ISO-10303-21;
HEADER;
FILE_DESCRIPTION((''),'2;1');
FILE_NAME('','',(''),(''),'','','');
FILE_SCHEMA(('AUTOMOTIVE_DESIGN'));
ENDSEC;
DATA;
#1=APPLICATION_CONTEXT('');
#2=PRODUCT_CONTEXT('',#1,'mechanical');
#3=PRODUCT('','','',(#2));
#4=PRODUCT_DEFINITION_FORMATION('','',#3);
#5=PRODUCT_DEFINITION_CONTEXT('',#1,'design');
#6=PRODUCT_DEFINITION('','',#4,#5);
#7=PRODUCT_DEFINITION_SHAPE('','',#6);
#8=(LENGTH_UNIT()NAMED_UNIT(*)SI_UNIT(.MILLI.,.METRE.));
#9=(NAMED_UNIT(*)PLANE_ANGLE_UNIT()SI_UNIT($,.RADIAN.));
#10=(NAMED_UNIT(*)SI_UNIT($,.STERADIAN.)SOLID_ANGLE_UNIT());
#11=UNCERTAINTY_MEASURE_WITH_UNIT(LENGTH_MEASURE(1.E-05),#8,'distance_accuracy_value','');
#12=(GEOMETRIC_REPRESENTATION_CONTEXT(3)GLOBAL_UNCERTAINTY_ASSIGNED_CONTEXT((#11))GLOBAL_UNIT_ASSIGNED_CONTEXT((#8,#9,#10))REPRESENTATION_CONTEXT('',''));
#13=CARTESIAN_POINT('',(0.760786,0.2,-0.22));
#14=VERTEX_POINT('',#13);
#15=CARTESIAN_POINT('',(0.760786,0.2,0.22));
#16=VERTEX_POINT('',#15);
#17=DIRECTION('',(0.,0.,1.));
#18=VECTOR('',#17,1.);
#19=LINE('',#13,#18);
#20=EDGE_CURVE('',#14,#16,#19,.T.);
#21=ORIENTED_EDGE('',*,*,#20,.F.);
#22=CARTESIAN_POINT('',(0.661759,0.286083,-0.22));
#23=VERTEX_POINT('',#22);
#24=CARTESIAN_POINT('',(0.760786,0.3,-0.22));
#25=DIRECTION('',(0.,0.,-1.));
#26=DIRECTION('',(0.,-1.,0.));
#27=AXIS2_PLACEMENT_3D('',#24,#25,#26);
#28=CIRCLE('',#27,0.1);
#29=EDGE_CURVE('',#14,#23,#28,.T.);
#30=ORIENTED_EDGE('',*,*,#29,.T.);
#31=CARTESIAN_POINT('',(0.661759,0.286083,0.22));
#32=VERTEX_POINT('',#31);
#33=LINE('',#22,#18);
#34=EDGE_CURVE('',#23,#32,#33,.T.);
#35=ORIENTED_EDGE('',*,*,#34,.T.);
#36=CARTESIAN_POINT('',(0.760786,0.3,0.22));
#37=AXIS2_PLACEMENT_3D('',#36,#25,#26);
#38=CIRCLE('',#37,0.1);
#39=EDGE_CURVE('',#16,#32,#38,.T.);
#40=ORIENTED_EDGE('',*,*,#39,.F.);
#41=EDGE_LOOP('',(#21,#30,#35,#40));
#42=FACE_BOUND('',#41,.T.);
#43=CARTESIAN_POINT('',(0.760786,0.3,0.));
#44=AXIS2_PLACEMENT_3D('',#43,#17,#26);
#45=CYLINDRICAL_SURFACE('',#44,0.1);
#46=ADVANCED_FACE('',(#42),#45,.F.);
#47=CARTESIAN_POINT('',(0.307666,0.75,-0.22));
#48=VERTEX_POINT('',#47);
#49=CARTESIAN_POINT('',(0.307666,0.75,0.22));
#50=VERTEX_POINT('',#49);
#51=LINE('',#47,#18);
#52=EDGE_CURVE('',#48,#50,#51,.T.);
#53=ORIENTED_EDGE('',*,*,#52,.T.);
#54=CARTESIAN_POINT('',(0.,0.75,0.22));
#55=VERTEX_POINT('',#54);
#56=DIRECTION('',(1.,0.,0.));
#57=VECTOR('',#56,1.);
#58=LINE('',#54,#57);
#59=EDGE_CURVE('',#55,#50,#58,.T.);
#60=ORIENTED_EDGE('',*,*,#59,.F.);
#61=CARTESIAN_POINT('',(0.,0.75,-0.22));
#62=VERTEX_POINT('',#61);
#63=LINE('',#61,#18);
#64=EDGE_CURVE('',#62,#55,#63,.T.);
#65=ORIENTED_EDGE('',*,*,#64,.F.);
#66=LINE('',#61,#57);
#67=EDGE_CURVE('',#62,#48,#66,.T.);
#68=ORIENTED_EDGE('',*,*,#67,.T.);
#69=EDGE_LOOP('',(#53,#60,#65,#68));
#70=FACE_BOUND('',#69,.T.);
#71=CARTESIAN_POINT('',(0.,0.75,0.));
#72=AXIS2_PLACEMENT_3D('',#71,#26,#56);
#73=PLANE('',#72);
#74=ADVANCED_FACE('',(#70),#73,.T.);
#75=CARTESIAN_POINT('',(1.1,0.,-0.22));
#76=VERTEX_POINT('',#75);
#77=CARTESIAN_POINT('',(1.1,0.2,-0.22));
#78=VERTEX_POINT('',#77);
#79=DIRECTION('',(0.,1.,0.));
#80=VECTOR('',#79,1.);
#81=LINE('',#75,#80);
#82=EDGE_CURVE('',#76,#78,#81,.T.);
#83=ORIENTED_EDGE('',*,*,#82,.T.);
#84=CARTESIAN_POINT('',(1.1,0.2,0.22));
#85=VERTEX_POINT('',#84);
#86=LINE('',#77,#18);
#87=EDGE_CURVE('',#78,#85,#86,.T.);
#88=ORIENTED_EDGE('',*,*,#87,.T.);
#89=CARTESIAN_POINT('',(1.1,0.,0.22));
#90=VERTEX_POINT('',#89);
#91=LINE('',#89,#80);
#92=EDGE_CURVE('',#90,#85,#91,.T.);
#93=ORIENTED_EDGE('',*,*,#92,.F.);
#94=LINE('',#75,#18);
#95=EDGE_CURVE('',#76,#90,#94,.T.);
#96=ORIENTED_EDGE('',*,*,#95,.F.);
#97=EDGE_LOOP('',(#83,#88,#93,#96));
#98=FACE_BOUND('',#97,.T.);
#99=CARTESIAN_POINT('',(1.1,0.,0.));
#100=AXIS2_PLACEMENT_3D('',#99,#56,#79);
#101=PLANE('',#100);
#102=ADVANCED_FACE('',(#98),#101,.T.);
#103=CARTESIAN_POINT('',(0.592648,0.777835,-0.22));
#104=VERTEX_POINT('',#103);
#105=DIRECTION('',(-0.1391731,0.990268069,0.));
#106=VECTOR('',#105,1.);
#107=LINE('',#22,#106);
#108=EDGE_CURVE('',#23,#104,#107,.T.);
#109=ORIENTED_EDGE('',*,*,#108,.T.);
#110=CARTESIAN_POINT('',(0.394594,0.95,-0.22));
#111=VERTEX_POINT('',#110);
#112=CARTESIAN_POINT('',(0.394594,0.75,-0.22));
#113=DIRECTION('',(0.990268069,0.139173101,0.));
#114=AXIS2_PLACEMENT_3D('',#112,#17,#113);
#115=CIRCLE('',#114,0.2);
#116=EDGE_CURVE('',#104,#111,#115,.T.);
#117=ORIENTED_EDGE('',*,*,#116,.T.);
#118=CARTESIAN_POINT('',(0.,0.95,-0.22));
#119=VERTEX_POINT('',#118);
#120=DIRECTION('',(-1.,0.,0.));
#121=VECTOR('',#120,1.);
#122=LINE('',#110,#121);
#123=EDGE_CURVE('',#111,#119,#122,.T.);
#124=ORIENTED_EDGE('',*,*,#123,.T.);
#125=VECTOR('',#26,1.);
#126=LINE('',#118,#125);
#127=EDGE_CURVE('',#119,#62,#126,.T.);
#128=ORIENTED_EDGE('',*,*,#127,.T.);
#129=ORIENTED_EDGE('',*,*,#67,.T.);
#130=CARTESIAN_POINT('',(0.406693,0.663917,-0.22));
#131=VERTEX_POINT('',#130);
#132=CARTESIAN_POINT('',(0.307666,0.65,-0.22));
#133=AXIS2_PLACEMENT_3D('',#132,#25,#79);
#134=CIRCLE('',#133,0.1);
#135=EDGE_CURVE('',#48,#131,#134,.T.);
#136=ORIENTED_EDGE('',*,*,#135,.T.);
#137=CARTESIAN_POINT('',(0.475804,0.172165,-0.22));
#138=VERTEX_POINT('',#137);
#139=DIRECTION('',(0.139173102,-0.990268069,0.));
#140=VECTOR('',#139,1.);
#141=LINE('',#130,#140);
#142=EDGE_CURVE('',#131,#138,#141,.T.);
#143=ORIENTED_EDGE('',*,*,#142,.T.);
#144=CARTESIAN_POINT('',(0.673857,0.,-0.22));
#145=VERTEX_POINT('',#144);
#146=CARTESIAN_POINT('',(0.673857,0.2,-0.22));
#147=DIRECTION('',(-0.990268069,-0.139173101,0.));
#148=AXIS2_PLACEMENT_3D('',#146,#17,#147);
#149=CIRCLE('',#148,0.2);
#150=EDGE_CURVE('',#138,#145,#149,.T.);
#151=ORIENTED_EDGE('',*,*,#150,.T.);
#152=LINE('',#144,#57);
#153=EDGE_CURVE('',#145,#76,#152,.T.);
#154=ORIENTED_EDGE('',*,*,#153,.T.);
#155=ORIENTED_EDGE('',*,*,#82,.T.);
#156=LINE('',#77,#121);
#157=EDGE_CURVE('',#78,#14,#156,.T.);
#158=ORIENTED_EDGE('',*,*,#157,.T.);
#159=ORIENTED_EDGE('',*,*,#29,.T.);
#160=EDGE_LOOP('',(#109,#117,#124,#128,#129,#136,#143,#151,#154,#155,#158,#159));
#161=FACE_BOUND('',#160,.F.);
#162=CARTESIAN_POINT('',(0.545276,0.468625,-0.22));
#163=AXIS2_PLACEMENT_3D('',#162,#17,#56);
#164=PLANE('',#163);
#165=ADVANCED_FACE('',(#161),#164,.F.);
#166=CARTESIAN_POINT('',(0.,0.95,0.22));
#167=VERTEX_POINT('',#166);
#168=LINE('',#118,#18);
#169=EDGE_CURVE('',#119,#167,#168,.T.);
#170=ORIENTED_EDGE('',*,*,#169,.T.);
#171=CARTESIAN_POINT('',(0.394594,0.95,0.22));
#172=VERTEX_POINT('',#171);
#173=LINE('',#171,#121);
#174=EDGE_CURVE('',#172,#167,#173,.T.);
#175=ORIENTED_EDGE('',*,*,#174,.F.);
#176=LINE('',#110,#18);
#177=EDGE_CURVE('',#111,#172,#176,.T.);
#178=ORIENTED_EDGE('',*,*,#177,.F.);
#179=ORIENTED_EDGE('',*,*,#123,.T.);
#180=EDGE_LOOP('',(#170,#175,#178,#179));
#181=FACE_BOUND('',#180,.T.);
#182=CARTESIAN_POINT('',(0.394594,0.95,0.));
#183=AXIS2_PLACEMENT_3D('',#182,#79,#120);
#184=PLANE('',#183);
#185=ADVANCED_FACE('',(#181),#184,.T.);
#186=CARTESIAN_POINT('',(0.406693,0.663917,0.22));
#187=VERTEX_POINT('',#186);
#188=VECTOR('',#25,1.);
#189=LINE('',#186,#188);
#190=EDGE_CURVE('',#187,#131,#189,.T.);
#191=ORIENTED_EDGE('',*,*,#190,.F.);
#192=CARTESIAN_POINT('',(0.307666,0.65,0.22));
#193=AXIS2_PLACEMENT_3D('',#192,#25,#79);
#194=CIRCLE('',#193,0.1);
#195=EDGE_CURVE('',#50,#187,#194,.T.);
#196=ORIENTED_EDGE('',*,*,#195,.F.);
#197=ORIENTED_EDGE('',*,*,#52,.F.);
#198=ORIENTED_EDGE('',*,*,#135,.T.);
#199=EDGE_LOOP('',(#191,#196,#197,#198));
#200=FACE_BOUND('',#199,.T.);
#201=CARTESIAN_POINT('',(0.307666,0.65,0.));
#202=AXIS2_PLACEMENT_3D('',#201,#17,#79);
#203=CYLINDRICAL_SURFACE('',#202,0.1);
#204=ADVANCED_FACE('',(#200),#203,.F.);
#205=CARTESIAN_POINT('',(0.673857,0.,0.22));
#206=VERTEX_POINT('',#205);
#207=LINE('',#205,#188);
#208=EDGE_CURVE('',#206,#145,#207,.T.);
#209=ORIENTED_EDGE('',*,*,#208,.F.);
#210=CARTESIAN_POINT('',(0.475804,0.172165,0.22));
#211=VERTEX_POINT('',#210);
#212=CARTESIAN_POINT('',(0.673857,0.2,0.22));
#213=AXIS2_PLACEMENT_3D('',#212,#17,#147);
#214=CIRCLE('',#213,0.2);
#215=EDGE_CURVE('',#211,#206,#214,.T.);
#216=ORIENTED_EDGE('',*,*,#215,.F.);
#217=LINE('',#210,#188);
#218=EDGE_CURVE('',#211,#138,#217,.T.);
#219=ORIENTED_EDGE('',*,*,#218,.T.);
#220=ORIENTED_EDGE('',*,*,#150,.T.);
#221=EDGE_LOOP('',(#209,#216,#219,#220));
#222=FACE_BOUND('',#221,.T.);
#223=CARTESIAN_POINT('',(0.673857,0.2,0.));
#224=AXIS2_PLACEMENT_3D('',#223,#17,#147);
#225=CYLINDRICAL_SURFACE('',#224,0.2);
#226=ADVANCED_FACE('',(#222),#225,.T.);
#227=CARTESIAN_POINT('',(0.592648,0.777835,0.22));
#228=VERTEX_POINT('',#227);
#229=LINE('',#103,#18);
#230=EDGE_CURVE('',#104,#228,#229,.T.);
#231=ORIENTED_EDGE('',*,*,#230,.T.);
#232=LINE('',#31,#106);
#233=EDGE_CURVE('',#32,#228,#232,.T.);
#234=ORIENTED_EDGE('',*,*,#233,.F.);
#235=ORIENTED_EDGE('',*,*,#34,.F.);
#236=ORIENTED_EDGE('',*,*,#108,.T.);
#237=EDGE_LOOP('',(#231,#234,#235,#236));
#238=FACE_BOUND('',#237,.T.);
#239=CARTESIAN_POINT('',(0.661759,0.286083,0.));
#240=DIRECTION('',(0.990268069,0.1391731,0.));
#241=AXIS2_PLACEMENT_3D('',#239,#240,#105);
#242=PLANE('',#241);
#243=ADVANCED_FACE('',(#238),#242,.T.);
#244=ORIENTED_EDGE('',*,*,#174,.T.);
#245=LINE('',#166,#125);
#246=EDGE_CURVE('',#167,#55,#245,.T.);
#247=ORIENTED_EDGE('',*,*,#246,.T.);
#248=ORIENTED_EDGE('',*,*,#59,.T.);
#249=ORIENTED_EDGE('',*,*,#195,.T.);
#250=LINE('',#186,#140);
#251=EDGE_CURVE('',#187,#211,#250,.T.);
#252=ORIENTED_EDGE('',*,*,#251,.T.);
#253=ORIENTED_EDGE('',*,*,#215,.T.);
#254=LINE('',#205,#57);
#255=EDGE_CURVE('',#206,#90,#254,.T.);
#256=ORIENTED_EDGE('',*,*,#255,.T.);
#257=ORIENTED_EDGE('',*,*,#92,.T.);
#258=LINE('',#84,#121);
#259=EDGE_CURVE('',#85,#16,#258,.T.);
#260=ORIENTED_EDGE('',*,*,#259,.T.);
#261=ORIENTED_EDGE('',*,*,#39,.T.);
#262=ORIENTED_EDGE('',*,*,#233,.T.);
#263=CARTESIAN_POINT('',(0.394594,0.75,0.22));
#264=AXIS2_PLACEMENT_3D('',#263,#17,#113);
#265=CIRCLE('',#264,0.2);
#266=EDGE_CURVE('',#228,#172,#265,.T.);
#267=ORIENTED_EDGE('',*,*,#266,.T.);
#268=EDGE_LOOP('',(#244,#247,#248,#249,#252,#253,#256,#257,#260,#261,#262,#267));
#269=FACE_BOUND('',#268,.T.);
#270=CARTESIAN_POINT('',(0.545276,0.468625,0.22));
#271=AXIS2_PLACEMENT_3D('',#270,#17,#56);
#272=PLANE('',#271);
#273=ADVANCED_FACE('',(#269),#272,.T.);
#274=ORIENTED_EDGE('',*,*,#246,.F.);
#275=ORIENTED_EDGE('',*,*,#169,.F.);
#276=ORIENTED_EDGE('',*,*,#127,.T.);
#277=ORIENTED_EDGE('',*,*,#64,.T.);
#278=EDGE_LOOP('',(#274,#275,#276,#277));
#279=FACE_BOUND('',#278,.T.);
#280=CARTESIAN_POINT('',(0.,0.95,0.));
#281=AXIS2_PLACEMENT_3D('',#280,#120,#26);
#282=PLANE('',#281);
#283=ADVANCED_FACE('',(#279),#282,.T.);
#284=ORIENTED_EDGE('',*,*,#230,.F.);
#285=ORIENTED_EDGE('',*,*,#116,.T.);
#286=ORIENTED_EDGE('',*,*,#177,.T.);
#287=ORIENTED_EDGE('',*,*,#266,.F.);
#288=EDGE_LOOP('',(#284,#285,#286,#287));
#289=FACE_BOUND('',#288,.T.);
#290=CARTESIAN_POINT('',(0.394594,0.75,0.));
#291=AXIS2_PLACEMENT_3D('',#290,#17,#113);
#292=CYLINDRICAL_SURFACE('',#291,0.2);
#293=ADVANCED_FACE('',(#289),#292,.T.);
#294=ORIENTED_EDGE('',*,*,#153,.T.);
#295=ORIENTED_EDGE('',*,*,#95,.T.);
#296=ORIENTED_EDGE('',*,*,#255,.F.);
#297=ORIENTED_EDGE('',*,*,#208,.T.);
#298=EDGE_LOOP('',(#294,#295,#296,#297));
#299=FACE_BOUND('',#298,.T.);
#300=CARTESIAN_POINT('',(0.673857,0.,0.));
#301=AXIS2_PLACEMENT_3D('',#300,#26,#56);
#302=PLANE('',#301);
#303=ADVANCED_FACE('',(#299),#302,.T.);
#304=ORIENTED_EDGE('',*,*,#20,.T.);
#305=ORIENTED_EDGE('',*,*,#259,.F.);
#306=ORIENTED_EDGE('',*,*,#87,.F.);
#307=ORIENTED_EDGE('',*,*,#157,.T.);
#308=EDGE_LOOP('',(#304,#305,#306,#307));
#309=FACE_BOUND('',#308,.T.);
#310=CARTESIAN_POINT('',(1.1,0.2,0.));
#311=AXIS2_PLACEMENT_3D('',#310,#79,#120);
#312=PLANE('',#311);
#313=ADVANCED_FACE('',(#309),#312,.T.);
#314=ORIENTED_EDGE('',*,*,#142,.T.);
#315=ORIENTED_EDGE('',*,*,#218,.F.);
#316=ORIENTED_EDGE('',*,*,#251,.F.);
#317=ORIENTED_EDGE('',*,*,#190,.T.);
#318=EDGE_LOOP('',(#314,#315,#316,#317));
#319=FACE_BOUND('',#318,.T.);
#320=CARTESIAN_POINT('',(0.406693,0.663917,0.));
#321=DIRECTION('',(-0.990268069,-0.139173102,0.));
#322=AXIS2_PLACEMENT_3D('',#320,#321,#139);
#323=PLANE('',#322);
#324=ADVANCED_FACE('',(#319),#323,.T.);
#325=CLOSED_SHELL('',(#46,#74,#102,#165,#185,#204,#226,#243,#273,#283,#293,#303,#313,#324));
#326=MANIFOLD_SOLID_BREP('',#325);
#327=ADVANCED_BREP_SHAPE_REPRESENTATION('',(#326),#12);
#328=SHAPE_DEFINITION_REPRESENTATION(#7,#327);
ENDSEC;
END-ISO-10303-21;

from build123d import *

# Parameters (mm, degrees)
EXTRUDE_1_DEPTH      = 0.22
EXTRUDE_1_DEPTH_BACK = 0.22


with BuildPart() as part:
    # Эскиз1 → Бобышка-Вытянуть1 (new, two sides: drawn at the far end of the back side and taken through both)
    with BuildSketch(Plane.XY.offset(-EXTRUDE_1_DEPTH_BACK)):
        with BuildLine():
            Line((0.673857348, 0), (1.1, 0))
            Line((1.1, 0), (1.1, 0.2))
            Line((1.1, 0.2), (0.760786021, 0.2))
            ThreePointArc((0.760786021, 0.2), (0.695180118, 0.224529042), (0.661759214, 0.28608269))
            Line((0.661759214, 0.28608269), (0.592647988, 0.77783462))
            ThreePointArc((0.592647988, 0.77783462), (0.52580618, 0.900941916), (0.394594374, 0.95))
            Line((0.394594374, 0.95), (0, 0.95))
            Line((0, 0.95), (0, 0.75))
            Line((0, 0.75), (0.3076657, 0.75))
            ThreePointArc((0.3076657, 0.75), (0.373271603, 0.725470958), (0.406692507, 0.66391731))
            Line((0.406692507, 0.66391731), (0.475803734, 0.17216538))
            ThreePointArc((0.475803734, 0.17216538), (0.542645542, 0.049058084), (0.673857348, 0))
        make_face()
    extrude(amount=EXTRUDE_1_DEPTH + EXTRUDE_1_DEPTH_BACK)


solid = part.part
